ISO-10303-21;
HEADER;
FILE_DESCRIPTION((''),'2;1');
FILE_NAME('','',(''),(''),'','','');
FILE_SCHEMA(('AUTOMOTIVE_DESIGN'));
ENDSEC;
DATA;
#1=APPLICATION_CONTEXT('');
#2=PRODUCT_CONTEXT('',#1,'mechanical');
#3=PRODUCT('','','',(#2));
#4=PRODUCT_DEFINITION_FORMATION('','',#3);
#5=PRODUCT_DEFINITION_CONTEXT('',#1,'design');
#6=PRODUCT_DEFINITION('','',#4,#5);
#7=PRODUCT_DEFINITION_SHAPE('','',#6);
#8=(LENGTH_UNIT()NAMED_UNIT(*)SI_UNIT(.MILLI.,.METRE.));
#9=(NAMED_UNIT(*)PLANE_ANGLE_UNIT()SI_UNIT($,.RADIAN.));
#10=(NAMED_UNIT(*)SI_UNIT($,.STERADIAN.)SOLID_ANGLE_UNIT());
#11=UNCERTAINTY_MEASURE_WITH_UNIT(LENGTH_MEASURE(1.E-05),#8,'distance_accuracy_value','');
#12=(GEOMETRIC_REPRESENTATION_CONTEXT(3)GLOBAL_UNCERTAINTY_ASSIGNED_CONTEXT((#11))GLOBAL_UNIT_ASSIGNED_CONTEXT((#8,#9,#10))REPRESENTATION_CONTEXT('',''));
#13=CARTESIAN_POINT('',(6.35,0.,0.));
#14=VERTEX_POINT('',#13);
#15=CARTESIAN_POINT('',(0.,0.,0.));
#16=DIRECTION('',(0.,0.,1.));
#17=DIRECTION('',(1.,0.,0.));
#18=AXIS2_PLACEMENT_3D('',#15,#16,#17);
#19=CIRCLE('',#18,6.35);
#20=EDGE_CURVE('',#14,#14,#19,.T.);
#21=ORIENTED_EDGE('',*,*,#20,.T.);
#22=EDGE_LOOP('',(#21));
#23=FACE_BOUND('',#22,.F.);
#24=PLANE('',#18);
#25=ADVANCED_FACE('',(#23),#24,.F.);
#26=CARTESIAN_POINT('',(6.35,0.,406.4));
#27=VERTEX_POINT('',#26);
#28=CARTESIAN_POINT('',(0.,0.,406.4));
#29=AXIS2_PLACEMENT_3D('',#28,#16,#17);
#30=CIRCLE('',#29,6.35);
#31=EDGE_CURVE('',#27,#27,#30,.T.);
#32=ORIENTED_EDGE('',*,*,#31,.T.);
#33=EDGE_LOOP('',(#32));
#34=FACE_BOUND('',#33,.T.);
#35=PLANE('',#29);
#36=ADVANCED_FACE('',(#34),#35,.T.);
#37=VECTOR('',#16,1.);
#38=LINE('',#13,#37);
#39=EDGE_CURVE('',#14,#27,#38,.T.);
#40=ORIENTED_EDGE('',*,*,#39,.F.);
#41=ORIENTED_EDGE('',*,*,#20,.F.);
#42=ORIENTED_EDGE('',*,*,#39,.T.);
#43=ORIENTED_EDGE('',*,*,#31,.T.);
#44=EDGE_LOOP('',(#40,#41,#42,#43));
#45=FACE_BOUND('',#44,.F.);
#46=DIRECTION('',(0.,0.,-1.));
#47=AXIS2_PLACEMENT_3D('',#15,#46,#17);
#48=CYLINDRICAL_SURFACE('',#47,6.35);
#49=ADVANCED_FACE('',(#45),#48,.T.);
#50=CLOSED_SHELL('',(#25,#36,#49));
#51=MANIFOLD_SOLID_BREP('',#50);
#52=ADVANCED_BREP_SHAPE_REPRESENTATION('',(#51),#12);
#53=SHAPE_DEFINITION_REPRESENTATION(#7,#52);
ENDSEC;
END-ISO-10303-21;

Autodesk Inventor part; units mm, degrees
ref_plane "YZ Plane" through (0, 0, 0) normal (1, 0, 0) x (0, 1, 0)
ref_plane "XZ Plane" through (0, 0, 0) normal (0, 1, 0) x (-1, 0, 0)
ref_plane "XY Plane" through (0, 0, 0) normal (0, 0, 1) x (1, 0, 0)
sketch "Sketch1" plane through (0, 0, 0) normal (0, 0, 1) x (1, 0, 0)
  circle A0 centre (0, 0) radius 6.35
  dimension "d0" = 12.7
extrude "Extrusion1" add sketch "Sketch1" along normal blind 406.4
properties part number "Kermit ElbowConnector2"
